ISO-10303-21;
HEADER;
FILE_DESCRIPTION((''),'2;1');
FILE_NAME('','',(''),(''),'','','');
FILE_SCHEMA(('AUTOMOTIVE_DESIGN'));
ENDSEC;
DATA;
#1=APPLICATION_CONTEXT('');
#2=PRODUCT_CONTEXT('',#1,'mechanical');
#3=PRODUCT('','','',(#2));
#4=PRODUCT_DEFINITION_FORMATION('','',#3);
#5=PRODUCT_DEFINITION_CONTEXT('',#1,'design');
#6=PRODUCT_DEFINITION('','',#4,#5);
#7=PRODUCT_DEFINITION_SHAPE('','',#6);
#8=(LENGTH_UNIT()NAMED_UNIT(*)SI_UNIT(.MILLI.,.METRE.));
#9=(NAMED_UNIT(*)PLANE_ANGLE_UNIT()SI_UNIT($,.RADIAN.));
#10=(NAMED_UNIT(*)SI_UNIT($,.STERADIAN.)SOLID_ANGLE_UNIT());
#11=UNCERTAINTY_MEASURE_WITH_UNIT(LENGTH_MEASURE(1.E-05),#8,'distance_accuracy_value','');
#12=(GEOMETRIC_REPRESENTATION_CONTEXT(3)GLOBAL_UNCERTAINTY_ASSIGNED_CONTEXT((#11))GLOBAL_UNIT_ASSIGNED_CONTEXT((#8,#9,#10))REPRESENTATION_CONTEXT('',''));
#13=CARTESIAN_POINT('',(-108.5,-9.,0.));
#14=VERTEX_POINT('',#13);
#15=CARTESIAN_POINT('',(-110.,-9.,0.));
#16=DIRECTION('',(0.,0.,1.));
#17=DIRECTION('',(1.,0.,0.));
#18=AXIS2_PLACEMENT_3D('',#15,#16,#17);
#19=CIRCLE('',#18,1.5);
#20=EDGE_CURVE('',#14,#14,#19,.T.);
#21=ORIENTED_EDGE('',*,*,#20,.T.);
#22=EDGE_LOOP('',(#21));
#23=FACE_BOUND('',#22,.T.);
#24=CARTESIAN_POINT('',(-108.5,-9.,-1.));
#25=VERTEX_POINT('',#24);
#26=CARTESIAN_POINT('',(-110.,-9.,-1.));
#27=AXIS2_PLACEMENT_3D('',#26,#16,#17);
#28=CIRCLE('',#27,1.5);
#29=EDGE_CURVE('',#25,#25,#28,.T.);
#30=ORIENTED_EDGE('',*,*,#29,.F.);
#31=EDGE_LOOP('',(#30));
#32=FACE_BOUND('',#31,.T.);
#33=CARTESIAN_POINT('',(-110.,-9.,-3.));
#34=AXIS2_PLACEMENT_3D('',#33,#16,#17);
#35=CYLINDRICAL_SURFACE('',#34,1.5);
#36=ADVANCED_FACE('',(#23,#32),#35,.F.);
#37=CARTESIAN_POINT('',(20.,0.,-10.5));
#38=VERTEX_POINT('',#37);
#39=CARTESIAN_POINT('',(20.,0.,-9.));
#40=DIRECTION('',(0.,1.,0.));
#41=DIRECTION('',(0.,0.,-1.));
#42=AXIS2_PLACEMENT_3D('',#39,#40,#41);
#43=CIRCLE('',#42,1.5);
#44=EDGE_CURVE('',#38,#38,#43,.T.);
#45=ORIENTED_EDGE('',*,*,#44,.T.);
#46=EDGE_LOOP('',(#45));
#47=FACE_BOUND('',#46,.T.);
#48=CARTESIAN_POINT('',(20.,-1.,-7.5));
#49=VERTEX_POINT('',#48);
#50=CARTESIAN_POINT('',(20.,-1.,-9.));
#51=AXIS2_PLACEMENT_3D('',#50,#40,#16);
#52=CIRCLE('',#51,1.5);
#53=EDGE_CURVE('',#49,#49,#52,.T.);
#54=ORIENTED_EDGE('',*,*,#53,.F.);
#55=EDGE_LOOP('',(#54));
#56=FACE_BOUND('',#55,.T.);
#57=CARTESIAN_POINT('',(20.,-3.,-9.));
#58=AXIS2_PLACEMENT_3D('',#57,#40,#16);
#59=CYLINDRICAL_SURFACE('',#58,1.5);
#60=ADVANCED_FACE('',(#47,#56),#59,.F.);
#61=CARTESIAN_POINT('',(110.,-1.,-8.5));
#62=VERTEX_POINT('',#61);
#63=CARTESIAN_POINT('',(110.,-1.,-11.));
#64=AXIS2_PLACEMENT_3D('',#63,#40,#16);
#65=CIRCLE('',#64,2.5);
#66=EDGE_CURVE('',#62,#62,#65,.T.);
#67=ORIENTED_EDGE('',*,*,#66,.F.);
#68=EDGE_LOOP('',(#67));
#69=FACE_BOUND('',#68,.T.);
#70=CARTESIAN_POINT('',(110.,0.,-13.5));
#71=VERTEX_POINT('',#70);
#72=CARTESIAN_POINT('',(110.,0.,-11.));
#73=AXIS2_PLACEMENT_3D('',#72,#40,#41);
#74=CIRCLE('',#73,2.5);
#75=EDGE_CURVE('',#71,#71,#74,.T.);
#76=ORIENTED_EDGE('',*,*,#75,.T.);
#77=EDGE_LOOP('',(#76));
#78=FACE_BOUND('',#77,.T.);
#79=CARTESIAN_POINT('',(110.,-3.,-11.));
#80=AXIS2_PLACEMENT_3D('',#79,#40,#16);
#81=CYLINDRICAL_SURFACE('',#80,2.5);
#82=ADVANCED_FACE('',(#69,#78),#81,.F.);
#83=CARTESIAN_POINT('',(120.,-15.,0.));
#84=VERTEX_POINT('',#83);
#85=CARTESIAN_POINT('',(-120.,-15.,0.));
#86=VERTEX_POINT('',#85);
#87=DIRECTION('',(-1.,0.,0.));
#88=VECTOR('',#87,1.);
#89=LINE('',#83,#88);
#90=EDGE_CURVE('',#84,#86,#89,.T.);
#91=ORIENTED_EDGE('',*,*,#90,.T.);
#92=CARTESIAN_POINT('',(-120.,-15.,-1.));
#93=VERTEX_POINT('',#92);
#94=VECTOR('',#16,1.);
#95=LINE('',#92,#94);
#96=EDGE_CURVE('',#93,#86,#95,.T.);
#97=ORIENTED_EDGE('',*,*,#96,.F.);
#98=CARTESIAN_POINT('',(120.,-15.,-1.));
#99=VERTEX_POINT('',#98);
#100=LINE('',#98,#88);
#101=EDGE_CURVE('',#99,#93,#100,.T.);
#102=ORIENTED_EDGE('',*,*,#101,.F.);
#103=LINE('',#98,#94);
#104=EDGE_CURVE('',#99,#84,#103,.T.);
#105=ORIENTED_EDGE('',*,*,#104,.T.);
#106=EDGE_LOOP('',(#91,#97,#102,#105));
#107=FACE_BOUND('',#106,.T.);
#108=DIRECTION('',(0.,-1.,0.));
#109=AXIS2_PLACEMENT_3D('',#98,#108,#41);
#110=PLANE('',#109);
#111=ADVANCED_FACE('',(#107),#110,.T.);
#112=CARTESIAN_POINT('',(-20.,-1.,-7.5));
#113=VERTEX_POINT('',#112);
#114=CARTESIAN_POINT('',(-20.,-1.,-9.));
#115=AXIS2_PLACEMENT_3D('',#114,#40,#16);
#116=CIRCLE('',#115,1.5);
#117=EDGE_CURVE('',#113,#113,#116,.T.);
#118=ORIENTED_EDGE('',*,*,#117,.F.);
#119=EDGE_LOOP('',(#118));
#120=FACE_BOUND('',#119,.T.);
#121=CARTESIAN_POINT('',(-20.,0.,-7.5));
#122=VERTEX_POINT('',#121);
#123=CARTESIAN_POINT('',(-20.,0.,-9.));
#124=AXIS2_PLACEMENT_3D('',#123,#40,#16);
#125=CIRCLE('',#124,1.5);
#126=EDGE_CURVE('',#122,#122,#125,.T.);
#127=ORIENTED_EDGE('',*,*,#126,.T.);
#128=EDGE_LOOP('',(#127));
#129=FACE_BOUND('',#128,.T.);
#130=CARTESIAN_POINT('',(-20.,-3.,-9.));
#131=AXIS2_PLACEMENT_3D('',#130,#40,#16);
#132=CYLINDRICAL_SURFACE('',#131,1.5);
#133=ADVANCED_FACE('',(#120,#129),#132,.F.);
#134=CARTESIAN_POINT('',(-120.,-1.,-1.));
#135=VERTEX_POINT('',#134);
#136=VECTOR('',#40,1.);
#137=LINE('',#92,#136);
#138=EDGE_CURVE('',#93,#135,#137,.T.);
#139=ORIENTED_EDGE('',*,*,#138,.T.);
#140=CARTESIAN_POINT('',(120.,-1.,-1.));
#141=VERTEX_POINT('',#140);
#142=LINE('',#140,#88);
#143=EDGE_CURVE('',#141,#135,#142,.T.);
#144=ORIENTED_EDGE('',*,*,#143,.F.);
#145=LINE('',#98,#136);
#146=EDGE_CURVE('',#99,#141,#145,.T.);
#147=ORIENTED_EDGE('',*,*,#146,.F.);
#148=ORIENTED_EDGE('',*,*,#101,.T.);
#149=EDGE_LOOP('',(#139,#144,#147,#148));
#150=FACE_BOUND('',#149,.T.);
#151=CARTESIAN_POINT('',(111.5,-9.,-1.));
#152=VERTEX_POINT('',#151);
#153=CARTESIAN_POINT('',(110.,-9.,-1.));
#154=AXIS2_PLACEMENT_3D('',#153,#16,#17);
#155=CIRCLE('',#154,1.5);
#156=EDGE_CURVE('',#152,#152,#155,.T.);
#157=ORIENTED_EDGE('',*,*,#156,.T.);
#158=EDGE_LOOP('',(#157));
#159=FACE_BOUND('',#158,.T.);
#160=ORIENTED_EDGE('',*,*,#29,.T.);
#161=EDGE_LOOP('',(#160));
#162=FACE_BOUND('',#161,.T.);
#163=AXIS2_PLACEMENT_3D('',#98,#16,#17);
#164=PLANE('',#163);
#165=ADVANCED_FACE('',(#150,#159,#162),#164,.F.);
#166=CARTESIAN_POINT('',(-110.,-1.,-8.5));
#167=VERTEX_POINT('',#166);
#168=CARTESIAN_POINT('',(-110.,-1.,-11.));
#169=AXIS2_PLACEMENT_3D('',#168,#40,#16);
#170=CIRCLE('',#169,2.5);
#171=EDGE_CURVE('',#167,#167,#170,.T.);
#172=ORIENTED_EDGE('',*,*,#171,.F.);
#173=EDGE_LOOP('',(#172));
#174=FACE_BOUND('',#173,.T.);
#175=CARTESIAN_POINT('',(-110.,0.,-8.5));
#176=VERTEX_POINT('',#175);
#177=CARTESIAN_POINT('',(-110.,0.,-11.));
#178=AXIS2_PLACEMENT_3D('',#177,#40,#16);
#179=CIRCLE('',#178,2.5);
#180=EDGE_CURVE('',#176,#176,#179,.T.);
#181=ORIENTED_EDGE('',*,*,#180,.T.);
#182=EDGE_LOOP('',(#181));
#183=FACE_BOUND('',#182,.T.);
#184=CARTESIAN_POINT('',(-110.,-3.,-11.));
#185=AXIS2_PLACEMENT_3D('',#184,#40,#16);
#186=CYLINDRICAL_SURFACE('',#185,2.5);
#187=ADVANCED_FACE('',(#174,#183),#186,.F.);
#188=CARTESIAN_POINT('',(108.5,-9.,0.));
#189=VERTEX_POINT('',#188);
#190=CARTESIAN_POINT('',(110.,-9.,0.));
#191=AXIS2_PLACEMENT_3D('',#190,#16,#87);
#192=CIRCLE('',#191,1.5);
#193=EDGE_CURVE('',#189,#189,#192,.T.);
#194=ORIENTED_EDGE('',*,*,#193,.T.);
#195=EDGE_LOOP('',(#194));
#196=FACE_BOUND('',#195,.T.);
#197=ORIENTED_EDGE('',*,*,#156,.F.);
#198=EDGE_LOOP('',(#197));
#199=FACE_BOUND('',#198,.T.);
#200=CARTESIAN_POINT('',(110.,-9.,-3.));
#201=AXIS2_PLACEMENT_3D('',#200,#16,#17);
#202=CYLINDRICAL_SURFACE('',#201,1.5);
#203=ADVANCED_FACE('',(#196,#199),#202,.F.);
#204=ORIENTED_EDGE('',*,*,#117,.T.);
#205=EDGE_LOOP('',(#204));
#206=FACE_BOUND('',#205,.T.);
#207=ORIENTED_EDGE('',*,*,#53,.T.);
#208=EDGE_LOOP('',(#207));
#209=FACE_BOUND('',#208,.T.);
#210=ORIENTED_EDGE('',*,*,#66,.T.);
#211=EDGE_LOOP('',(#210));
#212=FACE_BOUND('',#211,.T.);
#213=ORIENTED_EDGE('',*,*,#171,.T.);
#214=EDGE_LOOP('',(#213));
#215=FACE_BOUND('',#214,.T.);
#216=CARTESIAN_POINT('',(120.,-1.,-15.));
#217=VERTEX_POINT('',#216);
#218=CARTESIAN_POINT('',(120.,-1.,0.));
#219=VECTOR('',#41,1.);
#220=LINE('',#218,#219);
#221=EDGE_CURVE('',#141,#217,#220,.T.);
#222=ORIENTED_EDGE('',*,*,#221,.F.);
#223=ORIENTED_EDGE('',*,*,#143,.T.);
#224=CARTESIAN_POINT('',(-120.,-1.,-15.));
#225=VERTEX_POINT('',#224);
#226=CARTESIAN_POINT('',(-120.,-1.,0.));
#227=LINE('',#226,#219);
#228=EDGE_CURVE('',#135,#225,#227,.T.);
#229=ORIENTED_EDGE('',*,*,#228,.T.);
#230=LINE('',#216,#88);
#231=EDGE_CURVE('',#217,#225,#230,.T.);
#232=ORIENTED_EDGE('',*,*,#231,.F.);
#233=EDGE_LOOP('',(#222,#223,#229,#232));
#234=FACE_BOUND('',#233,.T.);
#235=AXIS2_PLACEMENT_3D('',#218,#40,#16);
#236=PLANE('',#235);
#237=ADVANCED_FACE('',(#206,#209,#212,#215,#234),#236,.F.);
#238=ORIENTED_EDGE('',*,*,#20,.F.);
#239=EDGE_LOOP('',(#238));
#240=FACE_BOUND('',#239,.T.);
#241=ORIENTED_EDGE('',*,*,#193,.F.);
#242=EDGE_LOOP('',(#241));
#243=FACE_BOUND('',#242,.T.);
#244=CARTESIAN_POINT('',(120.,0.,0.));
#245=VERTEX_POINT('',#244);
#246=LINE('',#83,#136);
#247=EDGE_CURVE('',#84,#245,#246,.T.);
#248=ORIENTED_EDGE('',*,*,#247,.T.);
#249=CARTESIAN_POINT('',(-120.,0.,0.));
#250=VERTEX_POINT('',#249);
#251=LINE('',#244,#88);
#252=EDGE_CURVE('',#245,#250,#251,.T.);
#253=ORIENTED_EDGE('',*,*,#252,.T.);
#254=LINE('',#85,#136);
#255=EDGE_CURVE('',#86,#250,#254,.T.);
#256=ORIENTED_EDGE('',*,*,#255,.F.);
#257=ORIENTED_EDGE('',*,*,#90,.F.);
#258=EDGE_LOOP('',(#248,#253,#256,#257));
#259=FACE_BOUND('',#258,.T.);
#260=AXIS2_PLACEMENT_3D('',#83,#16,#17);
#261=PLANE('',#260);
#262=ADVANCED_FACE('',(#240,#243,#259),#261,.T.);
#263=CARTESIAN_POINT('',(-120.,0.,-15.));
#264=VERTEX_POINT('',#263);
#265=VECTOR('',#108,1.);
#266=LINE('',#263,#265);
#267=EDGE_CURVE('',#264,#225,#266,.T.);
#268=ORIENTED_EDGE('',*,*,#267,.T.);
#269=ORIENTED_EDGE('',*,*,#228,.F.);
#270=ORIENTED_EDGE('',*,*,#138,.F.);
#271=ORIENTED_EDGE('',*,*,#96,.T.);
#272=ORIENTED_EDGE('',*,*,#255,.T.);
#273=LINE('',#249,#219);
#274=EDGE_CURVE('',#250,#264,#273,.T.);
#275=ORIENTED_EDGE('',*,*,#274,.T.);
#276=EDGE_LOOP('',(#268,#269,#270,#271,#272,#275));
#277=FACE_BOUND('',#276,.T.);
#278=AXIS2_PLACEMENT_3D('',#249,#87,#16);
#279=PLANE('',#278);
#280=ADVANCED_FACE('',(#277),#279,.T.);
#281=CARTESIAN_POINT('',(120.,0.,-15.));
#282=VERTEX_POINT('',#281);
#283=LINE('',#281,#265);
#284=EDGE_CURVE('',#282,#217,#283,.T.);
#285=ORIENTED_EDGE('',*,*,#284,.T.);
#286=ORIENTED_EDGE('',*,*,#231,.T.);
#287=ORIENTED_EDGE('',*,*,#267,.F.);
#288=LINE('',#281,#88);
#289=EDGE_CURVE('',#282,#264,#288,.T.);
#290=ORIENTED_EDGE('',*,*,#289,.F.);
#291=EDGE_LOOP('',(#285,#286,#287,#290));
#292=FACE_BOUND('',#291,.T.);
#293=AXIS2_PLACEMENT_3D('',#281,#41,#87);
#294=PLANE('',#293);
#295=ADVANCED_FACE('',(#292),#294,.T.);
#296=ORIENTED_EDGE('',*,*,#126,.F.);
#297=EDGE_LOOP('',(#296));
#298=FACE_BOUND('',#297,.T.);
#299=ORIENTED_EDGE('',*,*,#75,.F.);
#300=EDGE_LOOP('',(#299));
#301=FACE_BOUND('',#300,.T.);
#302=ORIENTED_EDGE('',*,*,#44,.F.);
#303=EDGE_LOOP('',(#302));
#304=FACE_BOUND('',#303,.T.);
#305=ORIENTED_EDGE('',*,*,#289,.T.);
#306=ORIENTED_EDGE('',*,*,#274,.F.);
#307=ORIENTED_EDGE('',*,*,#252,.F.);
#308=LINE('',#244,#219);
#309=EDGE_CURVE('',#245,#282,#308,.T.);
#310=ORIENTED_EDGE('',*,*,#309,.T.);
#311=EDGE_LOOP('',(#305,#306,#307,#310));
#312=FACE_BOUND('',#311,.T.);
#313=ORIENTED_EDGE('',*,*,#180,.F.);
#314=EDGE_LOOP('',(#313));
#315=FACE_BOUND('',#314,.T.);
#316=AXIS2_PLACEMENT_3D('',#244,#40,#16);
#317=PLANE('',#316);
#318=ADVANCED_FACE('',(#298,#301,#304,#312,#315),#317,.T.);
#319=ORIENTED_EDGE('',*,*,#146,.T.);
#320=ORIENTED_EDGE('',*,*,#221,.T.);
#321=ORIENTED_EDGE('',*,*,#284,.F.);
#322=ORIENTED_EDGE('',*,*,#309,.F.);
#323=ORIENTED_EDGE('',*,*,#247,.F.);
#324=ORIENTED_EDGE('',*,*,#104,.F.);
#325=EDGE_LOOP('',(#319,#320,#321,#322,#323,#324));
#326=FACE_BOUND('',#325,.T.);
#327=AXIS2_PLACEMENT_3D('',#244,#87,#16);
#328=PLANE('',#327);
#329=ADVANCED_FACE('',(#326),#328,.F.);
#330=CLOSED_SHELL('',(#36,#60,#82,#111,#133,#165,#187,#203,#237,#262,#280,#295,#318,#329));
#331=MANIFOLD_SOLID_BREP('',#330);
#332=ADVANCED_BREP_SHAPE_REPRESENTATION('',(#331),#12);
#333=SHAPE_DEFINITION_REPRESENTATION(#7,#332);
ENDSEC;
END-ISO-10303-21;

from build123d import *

# Parameters (mm, degrees)
EXTRU_MINCE1_DEPTH      = 120
ESQUISSE2_R             = 1.5
ENL_V_MAT_EXTRU_1_DEPTH = 3
ESQUISSE3_R             = 2.5
ESQUISSE3_R_2           = 1.5
ENL_V_MAT_EXTRU_2_DEPTH = 3


with BuildPart() as part:
    # Esquisse1 → Extru.-Mince1 (new, symmetric)
    with BuildSketch(Plane(origin=(0, 0, 0), x_dir=(0, 0, -1), z_dir=(1, 0, 0))):
        Polygon((0, -15), (0, 0), (15, 0), (15, -1), (1, -1), (1, -15), align=None)
    extrude(amount=EXTRU_MINCE1_DEPTH, both=True)

    # Esquisse2 → Enlèv. mat.-Extru.1 (cut)
    with BuildSketch(Plane.XY):
        with Locations((-110, -9)):
            Circle(ESQUISSE2_R)
        with Locations((110, -9)):
            Circle(ESQUISSE2_R)
    extrude(amount=-ENL_V_MAT_EXTRU_1_DEPTH, mode=Mode.SUBTRACT)

    # Esquisse3 → Enlèv. mat.-Extru.2 (cut)
    with BuildSketch(Plane(origin=(0, 0, 0), x_dir=(1, 0, 0), z_dir=(0, 1, 0))):
        with Locations(Location((-110, 11, 0), (0, 0, 270))):
            Circle(ESQUISSE3_R)
        with Locations(Location((-20, 9, 0), (0, 0, 270))):
            Circle(ESQUISSE3_R_2)
        with Locations(Location((110, 11, 0), (0, 0, 270))):
            Circle(ESQUISSE3_R)
        with Locations(Location((20, 9, 0), (0, 0, 270))):
            Circle(ESQUISSE3_R_2)
    extrude(amount=-ENL_V_MAT_EXTRU_2_DEPTH, mode=Mode.SUBTRACT)


solid = part.part
